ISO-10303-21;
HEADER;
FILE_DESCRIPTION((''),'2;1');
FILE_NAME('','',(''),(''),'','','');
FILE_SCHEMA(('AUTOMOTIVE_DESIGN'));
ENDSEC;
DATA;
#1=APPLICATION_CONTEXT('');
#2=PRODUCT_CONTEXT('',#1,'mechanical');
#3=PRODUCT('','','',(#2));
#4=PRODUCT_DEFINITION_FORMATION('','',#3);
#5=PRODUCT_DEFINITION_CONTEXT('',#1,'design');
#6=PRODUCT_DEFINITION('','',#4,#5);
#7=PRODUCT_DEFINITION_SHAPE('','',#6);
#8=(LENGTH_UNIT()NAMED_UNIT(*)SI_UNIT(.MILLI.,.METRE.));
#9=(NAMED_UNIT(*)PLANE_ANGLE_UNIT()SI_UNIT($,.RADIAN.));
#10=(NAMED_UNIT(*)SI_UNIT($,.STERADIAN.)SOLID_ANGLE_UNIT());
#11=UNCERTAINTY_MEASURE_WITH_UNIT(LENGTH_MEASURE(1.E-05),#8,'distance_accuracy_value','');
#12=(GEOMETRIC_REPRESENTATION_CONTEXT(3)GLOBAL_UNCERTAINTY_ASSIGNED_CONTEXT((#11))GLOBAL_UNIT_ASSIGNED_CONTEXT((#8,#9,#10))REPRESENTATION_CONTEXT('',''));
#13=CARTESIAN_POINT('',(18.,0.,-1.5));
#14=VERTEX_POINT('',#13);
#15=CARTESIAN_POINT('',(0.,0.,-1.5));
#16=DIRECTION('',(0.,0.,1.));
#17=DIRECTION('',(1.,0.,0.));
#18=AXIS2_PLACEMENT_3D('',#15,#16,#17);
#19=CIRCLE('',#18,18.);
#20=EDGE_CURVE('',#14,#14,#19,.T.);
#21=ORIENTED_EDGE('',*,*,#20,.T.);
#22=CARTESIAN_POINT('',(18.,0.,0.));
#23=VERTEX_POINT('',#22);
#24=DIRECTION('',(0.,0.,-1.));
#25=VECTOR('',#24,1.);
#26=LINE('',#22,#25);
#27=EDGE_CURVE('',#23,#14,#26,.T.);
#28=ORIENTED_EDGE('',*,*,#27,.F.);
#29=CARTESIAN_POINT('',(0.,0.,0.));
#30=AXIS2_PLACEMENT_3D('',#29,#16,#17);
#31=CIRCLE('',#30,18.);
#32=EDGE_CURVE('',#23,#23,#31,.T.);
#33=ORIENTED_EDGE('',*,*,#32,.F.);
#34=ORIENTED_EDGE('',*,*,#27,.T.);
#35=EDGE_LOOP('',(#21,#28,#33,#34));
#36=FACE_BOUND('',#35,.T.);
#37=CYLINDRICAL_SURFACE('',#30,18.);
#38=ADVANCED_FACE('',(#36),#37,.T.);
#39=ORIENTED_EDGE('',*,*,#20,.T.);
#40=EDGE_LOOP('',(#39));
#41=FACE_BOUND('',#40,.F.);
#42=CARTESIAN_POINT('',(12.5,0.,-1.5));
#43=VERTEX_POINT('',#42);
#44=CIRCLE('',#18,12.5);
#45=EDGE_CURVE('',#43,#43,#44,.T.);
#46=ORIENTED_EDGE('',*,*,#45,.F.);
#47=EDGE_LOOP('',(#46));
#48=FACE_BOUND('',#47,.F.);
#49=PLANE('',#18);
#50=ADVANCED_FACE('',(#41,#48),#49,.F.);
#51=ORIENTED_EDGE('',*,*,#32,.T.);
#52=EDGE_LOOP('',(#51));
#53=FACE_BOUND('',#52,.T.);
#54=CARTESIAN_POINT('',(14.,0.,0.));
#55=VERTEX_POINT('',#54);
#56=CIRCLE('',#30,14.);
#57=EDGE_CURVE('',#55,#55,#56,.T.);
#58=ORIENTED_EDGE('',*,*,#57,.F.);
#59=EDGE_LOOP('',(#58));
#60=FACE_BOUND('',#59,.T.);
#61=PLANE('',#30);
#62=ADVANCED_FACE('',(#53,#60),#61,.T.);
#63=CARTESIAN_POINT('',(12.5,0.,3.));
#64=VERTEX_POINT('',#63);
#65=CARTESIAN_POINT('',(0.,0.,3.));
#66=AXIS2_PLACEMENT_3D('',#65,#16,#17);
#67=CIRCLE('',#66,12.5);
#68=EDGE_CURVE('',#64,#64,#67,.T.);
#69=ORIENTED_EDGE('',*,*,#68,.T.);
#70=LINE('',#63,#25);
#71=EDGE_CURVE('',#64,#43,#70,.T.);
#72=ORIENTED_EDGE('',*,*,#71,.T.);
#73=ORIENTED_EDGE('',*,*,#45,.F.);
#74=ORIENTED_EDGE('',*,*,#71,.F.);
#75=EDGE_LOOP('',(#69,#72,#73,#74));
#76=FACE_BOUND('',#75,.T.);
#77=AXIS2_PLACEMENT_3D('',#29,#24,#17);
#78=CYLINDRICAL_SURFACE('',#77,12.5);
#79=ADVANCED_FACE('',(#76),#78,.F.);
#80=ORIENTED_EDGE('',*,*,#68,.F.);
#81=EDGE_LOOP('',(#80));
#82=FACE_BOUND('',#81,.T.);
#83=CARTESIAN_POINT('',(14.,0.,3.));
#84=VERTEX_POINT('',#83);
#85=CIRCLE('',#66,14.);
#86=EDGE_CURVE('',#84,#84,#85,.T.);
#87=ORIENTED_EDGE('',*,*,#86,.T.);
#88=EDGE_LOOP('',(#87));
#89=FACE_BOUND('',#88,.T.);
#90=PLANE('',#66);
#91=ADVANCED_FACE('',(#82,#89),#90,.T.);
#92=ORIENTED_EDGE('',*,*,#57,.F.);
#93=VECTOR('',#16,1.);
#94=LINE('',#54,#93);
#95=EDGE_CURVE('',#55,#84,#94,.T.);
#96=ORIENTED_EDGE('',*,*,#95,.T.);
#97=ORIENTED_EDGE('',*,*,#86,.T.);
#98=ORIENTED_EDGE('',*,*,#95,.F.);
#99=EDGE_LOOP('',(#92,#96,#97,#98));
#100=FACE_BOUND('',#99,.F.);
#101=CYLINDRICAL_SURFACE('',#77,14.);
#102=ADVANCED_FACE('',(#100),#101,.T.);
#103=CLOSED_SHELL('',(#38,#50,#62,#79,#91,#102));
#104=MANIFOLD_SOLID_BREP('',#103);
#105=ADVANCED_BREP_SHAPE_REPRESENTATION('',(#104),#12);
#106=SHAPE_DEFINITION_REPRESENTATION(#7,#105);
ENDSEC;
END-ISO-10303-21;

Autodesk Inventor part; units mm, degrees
ref_plane "YZ Plane" through (0, 0, 0) normal (1, 0, 0) x (0, 1, 0)
ref_plane "XZ Plane" through (0, 0, 0) normal (0, 1, 0) x (-1, 0, 0)
ref_plane "XY Plane" through (0, 0, 0) normal (0, 0, 1) x (1, 0, 0)
sketch "スケッチ1" plane through (0, 0, 0) normal (0, 0, 1) x (1, 0, 0)
  circle A0 centre (0, 0) radius 12.5
  circle A1 centre (0, 0) radius 14
  circle A2 centre (0, 0) radius 18
  dimension "d0" = 25
  dimension "d1" = 28
  dimension "d2" = 36
extrude "押し出し1" add sketch "スケッチ1" along normal blind 3 contours A1
extrude "押し出し2" add sketch "スケッチ1" against normal blind 1.5 contours A1 | A2
properties part number "オイレス　内径23　フランジ付き" material "アセタール樹脂、黒"
